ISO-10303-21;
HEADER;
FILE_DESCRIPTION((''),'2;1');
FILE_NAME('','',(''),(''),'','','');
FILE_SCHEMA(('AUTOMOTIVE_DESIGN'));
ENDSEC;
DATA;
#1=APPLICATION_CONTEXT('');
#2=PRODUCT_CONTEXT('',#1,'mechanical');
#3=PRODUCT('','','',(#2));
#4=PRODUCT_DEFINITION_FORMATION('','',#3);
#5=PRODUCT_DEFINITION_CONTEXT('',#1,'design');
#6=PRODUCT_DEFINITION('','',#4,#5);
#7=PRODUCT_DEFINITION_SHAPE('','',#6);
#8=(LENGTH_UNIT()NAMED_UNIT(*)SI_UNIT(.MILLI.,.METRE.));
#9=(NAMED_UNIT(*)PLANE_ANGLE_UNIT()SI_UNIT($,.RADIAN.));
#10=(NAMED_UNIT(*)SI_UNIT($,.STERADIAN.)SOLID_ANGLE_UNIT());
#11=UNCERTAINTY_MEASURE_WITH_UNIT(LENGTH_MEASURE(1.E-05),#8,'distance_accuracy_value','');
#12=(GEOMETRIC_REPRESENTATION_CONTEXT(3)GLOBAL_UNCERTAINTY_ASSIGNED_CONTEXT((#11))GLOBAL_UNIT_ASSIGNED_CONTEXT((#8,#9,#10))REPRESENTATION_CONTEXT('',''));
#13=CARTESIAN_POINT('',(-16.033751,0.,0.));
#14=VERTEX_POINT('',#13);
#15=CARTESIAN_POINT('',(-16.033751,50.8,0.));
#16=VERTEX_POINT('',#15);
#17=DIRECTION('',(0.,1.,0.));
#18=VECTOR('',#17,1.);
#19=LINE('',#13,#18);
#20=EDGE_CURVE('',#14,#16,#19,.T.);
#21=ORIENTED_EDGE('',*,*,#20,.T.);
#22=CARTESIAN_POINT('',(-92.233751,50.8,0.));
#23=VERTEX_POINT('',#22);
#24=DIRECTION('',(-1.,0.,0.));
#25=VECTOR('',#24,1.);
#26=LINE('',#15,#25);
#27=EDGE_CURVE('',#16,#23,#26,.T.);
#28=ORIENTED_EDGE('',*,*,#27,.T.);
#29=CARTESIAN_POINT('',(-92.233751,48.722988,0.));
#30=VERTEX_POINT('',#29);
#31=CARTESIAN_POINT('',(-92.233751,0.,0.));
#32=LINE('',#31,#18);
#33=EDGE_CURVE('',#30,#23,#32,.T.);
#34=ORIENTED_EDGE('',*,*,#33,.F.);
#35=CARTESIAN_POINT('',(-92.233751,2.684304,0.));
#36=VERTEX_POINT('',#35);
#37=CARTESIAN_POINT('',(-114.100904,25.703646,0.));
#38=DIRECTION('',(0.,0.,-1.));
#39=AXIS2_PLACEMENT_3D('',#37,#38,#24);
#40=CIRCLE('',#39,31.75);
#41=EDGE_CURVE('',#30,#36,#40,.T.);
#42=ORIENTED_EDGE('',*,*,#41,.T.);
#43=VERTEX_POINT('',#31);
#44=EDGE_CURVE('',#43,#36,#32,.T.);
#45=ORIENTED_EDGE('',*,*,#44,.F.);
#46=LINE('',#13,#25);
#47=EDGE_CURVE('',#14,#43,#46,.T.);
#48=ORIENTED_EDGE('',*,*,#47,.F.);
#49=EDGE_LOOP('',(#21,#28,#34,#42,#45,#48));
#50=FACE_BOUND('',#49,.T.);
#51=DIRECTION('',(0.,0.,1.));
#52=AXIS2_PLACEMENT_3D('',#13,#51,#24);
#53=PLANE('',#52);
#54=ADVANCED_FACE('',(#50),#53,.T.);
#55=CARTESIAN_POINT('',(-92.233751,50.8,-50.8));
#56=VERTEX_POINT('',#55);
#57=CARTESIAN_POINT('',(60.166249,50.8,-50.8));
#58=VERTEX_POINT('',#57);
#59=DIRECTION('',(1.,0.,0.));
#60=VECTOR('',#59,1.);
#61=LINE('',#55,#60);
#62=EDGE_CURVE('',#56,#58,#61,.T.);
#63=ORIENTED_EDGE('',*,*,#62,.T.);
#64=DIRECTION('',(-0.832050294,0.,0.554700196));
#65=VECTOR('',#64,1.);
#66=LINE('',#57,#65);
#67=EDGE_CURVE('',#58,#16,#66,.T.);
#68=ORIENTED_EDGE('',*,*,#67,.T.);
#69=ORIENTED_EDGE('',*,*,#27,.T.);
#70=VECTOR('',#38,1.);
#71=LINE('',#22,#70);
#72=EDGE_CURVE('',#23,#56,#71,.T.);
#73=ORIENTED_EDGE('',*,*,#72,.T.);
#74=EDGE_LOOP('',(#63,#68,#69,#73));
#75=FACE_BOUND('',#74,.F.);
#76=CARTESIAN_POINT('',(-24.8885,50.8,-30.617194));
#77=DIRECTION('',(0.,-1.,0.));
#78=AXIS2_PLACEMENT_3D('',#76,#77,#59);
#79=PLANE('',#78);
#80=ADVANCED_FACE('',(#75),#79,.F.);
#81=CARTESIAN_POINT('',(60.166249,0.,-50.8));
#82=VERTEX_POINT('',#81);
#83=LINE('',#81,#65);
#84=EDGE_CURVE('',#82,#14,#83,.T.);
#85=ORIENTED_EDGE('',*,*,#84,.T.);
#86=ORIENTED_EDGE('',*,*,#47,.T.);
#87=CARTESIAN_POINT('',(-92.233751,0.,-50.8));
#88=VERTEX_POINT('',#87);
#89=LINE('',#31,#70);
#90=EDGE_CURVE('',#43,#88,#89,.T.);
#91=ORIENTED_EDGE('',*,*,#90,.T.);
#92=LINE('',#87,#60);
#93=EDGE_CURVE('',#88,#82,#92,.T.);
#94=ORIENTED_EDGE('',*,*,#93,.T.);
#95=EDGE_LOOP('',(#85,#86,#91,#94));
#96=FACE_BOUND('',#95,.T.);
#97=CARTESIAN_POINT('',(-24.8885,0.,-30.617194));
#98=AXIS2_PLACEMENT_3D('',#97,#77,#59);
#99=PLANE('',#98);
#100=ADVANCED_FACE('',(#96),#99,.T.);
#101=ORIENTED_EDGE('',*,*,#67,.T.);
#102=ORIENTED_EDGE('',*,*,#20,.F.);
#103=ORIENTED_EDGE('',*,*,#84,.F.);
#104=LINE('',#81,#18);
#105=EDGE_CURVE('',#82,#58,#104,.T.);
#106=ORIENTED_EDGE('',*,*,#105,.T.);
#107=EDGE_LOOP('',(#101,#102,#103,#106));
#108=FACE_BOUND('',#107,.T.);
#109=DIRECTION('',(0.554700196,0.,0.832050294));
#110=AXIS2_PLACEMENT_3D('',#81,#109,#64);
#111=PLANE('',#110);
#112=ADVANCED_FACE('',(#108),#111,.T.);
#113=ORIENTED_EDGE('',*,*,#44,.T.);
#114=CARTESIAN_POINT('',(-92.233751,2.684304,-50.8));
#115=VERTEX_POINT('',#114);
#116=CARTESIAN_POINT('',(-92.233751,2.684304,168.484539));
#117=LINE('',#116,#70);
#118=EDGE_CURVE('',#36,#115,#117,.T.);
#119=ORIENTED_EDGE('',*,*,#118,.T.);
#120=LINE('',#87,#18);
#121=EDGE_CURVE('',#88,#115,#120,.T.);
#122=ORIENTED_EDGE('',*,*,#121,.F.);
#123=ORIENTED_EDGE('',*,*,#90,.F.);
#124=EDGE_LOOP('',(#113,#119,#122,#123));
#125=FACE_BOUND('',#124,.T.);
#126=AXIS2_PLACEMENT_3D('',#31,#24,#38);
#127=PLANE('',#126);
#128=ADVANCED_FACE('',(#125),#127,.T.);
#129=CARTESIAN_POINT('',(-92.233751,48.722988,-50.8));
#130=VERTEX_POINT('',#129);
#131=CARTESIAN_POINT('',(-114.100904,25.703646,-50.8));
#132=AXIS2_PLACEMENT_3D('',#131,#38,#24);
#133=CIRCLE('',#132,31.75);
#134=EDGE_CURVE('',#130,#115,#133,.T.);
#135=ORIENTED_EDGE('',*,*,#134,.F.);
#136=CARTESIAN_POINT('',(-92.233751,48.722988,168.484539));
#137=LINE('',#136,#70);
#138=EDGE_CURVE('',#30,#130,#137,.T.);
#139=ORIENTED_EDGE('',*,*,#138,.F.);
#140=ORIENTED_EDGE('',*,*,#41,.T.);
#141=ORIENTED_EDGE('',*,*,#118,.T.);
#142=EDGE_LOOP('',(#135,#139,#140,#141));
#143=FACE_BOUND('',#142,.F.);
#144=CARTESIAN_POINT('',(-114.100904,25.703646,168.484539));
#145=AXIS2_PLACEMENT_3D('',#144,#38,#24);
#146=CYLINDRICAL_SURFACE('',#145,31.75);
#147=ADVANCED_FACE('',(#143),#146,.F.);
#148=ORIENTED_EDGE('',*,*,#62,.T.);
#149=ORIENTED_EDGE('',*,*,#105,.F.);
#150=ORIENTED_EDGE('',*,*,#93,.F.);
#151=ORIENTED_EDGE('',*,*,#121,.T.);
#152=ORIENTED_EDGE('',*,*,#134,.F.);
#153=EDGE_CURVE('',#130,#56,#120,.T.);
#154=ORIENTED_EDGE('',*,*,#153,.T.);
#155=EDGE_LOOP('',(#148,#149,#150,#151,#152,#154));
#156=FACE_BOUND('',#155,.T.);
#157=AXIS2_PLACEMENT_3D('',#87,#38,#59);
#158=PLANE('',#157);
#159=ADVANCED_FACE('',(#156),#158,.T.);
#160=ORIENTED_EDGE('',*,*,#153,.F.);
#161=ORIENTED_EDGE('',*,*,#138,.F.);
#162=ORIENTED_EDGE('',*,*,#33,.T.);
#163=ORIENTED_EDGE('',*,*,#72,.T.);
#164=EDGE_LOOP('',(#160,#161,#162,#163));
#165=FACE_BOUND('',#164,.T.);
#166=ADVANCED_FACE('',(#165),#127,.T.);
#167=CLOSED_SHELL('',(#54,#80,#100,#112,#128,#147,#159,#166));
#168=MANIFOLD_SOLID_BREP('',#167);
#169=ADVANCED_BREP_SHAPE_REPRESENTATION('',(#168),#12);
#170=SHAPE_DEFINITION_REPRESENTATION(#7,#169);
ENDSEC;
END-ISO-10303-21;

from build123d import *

# Parameters (mm, degrees)
F1_DEPTH = 50.8
F3_D     = 63.5


with BuildPart() as f1:
    # F0 (on Front) → F1 (new body)
    with BuildSketch(Plane.XZ):
        Polygon((-16.033751, 0), (-92.233751, 0), (-92.233751, -50.8), (60.166249, -50.8), align=None)
    extrude(amount=-F1_DEPTH)

    # F3 (through all)
    with Locations(Plane.XY):
        with Locations((-114.100904, 25.703646)):
            Hole(F3_D / 2)


solid = f1.part
